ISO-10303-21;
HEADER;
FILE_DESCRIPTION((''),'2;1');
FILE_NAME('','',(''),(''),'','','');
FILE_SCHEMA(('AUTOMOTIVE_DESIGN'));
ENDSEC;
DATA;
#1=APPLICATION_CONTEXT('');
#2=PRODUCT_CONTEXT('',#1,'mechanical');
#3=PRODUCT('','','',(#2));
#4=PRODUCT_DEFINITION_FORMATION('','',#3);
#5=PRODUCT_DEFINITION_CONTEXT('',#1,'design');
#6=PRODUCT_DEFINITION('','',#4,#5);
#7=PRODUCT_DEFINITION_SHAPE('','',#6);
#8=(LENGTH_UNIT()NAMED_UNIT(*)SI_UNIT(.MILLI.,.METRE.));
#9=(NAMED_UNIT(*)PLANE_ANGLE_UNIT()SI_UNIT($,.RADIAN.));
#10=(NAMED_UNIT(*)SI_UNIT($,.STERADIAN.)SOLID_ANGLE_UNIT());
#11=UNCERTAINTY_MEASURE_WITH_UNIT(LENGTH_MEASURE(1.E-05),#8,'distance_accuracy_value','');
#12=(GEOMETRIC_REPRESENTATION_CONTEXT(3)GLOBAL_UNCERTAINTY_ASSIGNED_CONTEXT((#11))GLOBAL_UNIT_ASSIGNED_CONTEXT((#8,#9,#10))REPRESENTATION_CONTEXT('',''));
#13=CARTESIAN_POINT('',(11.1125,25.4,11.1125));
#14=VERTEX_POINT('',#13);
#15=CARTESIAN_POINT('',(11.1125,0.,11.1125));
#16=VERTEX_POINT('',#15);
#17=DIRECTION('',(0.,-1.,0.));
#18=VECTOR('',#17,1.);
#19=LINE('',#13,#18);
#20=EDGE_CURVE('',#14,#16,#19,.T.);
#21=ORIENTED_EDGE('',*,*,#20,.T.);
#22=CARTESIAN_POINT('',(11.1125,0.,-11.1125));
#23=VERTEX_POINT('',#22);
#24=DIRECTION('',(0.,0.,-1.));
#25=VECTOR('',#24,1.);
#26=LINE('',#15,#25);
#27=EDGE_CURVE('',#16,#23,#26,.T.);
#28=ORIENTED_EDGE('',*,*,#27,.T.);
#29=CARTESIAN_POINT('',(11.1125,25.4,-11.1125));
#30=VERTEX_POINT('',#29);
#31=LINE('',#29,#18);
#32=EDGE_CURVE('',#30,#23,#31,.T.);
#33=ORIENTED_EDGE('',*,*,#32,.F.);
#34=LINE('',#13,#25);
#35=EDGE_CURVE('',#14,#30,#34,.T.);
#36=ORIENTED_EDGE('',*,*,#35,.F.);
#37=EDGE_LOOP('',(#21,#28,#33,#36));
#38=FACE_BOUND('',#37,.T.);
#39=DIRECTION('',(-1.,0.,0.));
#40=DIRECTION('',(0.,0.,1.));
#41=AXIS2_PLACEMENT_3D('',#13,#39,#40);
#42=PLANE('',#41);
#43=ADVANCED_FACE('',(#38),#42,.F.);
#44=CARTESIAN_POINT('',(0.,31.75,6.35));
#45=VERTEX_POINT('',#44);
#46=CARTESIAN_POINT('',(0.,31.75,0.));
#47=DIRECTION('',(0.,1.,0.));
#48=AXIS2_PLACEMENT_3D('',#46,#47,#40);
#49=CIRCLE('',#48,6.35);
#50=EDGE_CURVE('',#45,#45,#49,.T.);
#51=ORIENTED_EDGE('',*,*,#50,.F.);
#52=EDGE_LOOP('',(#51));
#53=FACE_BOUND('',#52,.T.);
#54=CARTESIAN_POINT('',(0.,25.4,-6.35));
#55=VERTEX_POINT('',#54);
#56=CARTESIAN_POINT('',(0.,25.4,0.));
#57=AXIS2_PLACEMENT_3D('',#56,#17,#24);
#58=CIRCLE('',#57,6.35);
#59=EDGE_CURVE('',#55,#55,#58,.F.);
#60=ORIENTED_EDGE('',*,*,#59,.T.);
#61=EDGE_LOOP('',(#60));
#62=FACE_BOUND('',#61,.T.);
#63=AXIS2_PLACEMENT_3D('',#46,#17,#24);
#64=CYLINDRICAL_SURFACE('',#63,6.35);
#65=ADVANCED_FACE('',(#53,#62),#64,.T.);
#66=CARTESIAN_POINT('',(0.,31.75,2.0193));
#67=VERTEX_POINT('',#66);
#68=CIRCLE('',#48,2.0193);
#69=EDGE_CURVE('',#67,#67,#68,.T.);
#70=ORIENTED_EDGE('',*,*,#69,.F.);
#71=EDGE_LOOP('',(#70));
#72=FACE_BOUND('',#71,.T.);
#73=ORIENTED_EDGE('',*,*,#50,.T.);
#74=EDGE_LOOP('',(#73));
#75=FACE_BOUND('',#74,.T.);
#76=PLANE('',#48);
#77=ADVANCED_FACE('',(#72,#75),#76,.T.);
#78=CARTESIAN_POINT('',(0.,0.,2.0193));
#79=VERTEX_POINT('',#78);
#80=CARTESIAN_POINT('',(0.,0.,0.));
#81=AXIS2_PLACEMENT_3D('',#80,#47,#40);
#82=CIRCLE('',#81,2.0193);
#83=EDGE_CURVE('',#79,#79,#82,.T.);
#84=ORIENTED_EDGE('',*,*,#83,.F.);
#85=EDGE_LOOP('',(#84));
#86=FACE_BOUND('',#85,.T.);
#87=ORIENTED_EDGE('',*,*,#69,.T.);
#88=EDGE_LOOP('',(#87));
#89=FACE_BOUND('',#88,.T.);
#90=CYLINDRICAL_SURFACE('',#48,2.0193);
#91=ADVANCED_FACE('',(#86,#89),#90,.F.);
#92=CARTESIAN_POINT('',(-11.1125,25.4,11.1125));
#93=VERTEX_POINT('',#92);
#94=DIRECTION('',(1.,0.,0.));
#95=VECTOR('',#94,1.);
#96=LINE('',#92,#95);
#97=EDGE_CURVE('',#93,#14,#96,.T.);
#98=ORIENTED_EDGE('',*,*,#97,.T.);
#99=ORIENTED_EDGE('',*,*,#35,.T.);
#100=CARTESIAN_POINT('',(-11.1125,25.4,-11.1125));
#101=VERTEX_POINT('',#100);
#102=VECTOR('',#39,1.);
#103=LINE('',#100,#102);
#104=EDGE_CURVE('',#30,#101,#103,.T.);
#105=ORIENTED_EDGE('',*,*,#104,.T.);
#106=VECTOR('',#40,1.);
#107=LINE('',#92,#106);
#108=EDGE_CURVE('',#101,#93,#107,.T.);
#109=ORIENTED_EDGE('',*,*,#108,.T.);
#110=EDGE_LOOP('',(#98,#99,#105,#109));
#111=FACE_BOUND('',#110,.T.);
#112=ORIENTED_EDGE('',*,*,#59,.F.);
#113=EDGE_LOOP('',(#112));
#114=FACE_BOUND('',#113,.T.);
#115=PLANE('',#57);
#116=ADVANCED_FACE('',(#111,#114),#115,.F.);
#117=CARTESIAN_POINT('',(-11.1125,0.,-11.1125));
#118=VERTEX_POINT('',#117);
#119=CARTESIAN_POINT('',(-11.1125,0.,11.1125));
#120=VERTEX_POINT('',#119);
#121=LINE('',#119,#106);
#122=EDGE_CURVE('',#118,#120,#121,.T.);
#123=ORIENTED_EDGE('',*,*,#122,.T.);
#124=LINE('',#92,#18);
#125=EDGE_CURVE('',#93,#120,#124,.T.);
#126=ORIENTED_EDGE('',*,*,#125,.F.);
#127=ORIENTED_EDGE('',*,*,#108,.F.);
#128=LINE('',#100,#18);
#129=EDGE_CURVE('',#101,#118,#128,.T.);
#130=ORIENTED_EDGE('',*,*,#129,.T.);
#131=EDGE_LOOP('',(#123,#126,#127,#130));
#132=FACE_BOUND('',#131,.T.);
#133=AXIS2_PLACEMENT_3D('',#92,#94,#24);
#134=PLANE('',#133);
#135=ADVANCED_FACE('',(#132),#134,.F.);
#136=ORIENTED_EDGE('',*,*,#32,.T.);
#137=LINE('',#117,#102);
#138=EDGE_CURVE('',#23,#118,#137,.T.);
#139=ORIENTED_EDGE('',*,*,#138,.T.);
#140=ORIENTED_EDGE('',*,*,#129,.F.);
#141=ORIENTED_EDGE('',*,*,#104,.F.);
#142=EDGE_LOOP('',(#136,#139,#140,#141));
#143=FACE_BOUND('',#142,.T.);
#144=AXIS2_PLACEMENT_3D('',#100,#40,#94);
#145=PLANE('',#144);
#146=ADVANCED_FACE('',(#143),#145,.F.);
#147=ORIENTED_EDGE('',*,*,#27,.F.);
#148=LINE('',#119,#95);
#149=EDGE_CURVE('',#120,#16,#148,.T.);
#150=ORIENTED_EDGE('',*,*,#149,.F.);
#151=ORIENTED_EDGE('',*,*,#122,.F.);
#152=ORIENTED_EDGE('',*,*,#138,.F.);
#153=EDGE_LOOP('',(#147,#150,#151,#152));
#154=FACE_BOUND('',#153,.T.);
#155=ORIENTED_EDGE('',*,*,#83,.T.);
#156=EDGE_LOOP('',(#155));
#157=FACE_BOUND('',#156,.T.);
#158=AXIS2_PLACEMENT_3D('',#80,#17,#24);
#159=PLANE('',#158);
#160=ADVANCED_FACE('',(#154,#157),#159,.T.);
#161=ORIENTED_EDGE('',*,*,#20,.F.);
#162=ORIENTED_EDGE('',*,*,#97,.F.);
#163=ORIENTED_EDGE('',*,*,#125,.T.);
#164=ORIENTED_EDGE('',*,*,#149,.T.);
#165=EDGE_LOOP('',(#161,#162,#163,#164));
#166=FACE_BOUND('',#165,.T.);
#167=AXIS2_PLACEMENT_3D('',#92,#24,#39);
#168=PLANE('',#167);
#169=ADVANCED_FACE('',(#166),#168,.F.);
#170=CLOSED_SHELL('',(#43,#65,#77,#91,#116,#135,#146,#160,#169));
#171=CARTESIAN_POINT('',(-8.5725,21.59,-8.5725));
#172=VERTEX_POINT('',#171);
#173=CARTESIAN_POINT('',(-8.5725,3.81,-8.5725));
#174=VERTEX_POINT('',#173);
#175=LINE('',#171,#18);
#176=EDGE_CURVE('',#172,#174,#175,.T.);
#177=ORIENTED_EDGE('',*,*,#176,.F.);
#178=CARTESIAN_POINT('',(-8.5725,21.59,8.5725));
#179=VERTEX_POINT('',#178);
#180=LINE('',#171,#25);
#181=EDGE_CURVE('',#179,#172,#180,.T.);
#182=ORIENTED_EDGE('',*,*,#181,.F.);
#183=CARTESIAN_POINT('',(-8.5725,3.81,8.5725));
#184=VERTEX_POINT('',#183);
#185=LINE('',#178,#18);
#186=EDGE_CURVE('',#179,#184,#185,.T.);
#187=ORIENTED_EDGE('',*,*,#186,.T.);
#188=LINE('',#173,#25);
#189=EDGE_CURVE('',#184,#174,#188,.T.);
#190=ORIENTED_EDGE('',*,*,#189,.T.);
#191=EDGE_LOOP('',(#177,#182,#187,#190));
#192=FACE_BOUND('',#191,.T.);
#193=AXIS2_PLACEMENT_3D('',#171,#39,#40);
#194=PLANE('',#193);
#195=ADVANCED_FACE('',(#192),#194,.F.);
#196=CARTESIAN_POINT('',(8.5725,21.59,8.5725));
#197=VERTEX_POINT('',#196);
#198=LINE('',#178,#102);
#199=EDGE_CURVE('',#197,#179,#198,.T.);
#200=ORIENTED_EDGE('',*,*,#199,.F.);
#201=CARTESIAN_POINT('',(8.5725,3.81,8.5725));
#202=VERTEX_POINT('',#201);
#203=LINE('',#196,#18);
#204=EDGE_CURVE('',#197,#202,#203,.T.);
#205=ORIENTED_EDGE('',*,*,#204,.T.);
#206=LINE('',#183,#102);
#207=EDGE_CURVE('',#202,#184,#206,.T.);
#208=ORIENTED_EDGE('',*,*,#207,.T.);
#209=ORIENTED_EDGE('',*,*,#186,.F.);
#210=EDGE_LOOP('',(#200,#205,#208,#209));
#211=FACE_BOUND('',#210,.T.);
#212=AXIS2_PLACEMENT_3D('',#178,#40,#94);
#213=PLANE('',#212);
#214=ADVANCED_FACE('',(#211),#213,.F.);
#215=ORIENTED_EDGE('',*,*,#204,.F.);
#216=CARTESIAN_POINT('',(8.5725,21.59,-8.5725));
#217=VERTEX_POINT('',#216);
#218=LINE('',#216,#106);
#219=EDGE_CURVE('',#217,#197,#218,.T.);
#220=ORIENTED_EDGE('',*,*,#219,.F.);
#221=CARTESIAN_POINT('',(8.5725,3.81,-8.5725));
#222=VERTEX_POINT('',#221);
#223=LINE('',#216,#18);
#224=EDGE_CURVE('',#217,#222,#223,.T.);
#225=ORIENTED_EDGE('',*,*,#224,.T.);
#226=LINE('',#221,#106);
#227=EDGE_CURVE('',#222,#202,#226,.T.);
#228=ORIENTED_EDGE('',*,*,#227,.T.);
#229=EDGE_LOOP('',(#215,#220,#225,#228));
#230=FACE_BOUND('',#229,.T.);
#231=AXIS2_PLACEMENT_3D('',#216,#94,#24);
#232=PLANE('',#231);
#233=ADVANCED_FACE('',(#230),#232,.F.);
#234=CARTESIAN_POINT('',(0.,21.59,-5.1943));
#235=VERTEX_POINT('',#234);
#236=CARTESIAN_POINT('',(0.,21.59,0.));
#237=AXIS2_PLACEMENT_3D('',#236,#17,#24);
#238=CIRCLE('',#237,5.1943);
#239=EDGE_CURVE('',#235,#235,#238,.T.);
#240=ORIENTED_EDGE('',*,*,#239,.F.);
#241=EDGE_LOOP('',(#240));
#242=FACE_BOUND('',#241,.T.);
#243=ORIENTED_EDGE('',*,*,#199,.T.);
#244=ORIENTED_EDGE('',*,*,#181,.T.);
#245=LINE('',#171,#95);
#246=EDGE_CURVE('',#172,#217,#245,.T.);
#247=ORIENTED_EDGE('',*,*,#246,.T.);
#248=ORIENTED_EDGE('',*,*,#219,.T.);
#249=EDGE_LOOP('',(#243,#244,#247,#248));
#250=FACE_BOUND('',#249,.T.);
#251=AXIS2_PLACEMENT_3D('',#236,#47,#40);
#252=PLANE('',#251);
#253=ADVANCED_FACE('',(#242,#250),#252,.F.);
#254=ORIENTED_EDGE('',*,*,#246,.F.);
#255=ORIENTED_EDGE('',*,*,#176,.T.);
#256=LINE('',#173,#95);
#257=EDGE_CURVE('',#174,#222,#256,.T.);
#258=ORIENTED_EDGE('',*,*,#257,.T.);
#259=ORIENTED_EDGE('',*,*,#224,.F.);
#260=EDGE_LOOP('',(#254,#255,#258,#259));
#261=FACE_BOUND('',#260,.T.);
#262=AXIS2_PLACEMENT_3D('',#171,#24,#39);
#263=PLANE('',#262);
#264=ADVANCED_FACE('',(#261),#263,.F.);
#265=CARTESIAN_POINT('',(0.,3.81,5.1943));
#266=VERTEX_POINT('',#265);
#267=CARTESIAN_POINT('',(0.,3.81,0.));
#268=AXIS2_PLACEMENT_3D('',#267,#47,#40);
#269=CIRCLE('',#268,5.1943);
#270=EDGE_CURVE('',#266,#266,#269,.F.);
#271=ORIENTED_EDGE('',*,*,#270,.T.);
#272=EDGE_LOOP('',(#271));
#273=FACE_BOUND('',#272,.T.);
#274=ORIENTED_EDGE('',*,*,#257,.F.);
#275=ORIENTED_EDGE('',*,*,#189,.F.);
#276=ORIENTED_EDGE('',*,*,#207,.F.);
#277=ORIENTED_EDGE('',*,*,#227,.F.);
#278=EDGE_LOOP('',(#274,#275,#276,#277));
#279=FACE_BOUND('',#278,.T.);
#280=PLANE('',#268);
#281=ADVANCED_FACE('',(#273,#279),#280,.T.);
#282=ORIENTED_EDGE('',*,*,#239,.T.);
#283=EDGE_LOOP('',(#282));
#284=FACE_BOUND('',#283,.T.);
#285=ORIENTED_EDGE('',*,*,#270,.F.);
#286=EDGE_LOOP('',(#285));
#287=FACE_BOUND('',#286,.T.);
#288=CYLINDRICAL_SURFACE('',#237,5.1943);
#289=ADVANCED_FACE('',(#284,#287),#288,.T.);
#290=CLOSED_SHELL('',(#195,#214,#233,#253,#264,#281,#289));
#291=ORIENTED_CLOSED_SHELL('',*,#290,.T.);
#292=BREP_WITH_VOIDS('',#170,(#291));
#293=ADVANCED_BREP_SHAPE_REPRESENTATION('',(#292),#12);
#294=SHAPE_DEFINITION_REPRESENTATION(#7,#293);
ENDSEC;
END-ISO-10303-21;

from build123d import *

# Parameters (mm, degrees)
SKETCH1_W              = 22.225
SKETCH1_H              = 22.225
BOSS_EXTRUDE1_DEPTH    = 25.4
SKETCH2_R              = 6.35
BOSS_EXTRUDE2_DEPTH    = 6.35
F_10_32_TAPPED_HOLE1_D = 4.0386
SKETCH6_W              = 17.145
SKETCH6_H              = 17.145
SKETCH6_R              = 5.1943
CUT_EXTRUDE1_DEPTH     = 21.59
SKETCH7_W              = 17.145
SKETCH7_H              = 17.145
SKETCH7_R              = 5.1943
BOSS_EXTRUDE3_DEPTH    = 3.81


with BuildPart() as part:
    # Sketch1 → Boss-Extrude1 (new body)
    with BuildSketch(Plane(origin=(0, 0, 0), x_dir=(1, 0, 0), z_dir=(0, 1, 0))):
        Rectangle(SKETCH1_W, SKETCH1_H)
    extrude(amount=BOSS_EXTRUDE1_DEPTH)

    # Sketch2 → Boss-Extrude2 (add)
    with BuildSketch(Plane(origin=(0, 25.4, 0), x_dir=(1, 0, 0), z_dir=(0, 1, 0))):
        with Locations(Location((0, 0, 0), (0, 0, 90))):
            Circle(SKETCH2_R)
    extrude(amount=BOSS_EXTRUDE2_DEPTH)

    # #10-32 Tapped Hole1 (through all)
    with Locations(Plane(origin=(0, 31.75, 0), x_dir=(1, 0, 0), z_dir=(0, 1, 0))):
        with Locations((0, 0)):
            Hole(F_10_32_TAPPED_HOLE1_D / 2)

    # Sketch6 → Cut-Extrude1 (cut)
    with BuildSketch(Plane.XZ):
        Rectangle(SKETCH6_W, SKETCH6_H)
        with Locations(Location((0, 0, 0), (0, 0, 270))):
            Circle(SKETCH6_R, mode=Mode.SUBTRACT)
    extrude(amount=-CUT_EXTRUDE1_DEPTH, mode=Mode.SUBTRACT)

    # Sketch7 → Boss-Extrude3 (add)
    with BuildSketch(Plane(origin=(0, 0, 0), x_dir=(-1, 0, 0), z_dir=(0, -1, 0))):
        Rectangle(SKETCH7_W, SKETCH7_H)
        with Locations(Location((0, 0, 0), (0, 0, 90))):
            Circle(SKETCH7_R, mode=Mode.SUBTRACT)
    extrude(amount=-BOSS_EXTRUDE3_DEPTH)


solid = part.part
